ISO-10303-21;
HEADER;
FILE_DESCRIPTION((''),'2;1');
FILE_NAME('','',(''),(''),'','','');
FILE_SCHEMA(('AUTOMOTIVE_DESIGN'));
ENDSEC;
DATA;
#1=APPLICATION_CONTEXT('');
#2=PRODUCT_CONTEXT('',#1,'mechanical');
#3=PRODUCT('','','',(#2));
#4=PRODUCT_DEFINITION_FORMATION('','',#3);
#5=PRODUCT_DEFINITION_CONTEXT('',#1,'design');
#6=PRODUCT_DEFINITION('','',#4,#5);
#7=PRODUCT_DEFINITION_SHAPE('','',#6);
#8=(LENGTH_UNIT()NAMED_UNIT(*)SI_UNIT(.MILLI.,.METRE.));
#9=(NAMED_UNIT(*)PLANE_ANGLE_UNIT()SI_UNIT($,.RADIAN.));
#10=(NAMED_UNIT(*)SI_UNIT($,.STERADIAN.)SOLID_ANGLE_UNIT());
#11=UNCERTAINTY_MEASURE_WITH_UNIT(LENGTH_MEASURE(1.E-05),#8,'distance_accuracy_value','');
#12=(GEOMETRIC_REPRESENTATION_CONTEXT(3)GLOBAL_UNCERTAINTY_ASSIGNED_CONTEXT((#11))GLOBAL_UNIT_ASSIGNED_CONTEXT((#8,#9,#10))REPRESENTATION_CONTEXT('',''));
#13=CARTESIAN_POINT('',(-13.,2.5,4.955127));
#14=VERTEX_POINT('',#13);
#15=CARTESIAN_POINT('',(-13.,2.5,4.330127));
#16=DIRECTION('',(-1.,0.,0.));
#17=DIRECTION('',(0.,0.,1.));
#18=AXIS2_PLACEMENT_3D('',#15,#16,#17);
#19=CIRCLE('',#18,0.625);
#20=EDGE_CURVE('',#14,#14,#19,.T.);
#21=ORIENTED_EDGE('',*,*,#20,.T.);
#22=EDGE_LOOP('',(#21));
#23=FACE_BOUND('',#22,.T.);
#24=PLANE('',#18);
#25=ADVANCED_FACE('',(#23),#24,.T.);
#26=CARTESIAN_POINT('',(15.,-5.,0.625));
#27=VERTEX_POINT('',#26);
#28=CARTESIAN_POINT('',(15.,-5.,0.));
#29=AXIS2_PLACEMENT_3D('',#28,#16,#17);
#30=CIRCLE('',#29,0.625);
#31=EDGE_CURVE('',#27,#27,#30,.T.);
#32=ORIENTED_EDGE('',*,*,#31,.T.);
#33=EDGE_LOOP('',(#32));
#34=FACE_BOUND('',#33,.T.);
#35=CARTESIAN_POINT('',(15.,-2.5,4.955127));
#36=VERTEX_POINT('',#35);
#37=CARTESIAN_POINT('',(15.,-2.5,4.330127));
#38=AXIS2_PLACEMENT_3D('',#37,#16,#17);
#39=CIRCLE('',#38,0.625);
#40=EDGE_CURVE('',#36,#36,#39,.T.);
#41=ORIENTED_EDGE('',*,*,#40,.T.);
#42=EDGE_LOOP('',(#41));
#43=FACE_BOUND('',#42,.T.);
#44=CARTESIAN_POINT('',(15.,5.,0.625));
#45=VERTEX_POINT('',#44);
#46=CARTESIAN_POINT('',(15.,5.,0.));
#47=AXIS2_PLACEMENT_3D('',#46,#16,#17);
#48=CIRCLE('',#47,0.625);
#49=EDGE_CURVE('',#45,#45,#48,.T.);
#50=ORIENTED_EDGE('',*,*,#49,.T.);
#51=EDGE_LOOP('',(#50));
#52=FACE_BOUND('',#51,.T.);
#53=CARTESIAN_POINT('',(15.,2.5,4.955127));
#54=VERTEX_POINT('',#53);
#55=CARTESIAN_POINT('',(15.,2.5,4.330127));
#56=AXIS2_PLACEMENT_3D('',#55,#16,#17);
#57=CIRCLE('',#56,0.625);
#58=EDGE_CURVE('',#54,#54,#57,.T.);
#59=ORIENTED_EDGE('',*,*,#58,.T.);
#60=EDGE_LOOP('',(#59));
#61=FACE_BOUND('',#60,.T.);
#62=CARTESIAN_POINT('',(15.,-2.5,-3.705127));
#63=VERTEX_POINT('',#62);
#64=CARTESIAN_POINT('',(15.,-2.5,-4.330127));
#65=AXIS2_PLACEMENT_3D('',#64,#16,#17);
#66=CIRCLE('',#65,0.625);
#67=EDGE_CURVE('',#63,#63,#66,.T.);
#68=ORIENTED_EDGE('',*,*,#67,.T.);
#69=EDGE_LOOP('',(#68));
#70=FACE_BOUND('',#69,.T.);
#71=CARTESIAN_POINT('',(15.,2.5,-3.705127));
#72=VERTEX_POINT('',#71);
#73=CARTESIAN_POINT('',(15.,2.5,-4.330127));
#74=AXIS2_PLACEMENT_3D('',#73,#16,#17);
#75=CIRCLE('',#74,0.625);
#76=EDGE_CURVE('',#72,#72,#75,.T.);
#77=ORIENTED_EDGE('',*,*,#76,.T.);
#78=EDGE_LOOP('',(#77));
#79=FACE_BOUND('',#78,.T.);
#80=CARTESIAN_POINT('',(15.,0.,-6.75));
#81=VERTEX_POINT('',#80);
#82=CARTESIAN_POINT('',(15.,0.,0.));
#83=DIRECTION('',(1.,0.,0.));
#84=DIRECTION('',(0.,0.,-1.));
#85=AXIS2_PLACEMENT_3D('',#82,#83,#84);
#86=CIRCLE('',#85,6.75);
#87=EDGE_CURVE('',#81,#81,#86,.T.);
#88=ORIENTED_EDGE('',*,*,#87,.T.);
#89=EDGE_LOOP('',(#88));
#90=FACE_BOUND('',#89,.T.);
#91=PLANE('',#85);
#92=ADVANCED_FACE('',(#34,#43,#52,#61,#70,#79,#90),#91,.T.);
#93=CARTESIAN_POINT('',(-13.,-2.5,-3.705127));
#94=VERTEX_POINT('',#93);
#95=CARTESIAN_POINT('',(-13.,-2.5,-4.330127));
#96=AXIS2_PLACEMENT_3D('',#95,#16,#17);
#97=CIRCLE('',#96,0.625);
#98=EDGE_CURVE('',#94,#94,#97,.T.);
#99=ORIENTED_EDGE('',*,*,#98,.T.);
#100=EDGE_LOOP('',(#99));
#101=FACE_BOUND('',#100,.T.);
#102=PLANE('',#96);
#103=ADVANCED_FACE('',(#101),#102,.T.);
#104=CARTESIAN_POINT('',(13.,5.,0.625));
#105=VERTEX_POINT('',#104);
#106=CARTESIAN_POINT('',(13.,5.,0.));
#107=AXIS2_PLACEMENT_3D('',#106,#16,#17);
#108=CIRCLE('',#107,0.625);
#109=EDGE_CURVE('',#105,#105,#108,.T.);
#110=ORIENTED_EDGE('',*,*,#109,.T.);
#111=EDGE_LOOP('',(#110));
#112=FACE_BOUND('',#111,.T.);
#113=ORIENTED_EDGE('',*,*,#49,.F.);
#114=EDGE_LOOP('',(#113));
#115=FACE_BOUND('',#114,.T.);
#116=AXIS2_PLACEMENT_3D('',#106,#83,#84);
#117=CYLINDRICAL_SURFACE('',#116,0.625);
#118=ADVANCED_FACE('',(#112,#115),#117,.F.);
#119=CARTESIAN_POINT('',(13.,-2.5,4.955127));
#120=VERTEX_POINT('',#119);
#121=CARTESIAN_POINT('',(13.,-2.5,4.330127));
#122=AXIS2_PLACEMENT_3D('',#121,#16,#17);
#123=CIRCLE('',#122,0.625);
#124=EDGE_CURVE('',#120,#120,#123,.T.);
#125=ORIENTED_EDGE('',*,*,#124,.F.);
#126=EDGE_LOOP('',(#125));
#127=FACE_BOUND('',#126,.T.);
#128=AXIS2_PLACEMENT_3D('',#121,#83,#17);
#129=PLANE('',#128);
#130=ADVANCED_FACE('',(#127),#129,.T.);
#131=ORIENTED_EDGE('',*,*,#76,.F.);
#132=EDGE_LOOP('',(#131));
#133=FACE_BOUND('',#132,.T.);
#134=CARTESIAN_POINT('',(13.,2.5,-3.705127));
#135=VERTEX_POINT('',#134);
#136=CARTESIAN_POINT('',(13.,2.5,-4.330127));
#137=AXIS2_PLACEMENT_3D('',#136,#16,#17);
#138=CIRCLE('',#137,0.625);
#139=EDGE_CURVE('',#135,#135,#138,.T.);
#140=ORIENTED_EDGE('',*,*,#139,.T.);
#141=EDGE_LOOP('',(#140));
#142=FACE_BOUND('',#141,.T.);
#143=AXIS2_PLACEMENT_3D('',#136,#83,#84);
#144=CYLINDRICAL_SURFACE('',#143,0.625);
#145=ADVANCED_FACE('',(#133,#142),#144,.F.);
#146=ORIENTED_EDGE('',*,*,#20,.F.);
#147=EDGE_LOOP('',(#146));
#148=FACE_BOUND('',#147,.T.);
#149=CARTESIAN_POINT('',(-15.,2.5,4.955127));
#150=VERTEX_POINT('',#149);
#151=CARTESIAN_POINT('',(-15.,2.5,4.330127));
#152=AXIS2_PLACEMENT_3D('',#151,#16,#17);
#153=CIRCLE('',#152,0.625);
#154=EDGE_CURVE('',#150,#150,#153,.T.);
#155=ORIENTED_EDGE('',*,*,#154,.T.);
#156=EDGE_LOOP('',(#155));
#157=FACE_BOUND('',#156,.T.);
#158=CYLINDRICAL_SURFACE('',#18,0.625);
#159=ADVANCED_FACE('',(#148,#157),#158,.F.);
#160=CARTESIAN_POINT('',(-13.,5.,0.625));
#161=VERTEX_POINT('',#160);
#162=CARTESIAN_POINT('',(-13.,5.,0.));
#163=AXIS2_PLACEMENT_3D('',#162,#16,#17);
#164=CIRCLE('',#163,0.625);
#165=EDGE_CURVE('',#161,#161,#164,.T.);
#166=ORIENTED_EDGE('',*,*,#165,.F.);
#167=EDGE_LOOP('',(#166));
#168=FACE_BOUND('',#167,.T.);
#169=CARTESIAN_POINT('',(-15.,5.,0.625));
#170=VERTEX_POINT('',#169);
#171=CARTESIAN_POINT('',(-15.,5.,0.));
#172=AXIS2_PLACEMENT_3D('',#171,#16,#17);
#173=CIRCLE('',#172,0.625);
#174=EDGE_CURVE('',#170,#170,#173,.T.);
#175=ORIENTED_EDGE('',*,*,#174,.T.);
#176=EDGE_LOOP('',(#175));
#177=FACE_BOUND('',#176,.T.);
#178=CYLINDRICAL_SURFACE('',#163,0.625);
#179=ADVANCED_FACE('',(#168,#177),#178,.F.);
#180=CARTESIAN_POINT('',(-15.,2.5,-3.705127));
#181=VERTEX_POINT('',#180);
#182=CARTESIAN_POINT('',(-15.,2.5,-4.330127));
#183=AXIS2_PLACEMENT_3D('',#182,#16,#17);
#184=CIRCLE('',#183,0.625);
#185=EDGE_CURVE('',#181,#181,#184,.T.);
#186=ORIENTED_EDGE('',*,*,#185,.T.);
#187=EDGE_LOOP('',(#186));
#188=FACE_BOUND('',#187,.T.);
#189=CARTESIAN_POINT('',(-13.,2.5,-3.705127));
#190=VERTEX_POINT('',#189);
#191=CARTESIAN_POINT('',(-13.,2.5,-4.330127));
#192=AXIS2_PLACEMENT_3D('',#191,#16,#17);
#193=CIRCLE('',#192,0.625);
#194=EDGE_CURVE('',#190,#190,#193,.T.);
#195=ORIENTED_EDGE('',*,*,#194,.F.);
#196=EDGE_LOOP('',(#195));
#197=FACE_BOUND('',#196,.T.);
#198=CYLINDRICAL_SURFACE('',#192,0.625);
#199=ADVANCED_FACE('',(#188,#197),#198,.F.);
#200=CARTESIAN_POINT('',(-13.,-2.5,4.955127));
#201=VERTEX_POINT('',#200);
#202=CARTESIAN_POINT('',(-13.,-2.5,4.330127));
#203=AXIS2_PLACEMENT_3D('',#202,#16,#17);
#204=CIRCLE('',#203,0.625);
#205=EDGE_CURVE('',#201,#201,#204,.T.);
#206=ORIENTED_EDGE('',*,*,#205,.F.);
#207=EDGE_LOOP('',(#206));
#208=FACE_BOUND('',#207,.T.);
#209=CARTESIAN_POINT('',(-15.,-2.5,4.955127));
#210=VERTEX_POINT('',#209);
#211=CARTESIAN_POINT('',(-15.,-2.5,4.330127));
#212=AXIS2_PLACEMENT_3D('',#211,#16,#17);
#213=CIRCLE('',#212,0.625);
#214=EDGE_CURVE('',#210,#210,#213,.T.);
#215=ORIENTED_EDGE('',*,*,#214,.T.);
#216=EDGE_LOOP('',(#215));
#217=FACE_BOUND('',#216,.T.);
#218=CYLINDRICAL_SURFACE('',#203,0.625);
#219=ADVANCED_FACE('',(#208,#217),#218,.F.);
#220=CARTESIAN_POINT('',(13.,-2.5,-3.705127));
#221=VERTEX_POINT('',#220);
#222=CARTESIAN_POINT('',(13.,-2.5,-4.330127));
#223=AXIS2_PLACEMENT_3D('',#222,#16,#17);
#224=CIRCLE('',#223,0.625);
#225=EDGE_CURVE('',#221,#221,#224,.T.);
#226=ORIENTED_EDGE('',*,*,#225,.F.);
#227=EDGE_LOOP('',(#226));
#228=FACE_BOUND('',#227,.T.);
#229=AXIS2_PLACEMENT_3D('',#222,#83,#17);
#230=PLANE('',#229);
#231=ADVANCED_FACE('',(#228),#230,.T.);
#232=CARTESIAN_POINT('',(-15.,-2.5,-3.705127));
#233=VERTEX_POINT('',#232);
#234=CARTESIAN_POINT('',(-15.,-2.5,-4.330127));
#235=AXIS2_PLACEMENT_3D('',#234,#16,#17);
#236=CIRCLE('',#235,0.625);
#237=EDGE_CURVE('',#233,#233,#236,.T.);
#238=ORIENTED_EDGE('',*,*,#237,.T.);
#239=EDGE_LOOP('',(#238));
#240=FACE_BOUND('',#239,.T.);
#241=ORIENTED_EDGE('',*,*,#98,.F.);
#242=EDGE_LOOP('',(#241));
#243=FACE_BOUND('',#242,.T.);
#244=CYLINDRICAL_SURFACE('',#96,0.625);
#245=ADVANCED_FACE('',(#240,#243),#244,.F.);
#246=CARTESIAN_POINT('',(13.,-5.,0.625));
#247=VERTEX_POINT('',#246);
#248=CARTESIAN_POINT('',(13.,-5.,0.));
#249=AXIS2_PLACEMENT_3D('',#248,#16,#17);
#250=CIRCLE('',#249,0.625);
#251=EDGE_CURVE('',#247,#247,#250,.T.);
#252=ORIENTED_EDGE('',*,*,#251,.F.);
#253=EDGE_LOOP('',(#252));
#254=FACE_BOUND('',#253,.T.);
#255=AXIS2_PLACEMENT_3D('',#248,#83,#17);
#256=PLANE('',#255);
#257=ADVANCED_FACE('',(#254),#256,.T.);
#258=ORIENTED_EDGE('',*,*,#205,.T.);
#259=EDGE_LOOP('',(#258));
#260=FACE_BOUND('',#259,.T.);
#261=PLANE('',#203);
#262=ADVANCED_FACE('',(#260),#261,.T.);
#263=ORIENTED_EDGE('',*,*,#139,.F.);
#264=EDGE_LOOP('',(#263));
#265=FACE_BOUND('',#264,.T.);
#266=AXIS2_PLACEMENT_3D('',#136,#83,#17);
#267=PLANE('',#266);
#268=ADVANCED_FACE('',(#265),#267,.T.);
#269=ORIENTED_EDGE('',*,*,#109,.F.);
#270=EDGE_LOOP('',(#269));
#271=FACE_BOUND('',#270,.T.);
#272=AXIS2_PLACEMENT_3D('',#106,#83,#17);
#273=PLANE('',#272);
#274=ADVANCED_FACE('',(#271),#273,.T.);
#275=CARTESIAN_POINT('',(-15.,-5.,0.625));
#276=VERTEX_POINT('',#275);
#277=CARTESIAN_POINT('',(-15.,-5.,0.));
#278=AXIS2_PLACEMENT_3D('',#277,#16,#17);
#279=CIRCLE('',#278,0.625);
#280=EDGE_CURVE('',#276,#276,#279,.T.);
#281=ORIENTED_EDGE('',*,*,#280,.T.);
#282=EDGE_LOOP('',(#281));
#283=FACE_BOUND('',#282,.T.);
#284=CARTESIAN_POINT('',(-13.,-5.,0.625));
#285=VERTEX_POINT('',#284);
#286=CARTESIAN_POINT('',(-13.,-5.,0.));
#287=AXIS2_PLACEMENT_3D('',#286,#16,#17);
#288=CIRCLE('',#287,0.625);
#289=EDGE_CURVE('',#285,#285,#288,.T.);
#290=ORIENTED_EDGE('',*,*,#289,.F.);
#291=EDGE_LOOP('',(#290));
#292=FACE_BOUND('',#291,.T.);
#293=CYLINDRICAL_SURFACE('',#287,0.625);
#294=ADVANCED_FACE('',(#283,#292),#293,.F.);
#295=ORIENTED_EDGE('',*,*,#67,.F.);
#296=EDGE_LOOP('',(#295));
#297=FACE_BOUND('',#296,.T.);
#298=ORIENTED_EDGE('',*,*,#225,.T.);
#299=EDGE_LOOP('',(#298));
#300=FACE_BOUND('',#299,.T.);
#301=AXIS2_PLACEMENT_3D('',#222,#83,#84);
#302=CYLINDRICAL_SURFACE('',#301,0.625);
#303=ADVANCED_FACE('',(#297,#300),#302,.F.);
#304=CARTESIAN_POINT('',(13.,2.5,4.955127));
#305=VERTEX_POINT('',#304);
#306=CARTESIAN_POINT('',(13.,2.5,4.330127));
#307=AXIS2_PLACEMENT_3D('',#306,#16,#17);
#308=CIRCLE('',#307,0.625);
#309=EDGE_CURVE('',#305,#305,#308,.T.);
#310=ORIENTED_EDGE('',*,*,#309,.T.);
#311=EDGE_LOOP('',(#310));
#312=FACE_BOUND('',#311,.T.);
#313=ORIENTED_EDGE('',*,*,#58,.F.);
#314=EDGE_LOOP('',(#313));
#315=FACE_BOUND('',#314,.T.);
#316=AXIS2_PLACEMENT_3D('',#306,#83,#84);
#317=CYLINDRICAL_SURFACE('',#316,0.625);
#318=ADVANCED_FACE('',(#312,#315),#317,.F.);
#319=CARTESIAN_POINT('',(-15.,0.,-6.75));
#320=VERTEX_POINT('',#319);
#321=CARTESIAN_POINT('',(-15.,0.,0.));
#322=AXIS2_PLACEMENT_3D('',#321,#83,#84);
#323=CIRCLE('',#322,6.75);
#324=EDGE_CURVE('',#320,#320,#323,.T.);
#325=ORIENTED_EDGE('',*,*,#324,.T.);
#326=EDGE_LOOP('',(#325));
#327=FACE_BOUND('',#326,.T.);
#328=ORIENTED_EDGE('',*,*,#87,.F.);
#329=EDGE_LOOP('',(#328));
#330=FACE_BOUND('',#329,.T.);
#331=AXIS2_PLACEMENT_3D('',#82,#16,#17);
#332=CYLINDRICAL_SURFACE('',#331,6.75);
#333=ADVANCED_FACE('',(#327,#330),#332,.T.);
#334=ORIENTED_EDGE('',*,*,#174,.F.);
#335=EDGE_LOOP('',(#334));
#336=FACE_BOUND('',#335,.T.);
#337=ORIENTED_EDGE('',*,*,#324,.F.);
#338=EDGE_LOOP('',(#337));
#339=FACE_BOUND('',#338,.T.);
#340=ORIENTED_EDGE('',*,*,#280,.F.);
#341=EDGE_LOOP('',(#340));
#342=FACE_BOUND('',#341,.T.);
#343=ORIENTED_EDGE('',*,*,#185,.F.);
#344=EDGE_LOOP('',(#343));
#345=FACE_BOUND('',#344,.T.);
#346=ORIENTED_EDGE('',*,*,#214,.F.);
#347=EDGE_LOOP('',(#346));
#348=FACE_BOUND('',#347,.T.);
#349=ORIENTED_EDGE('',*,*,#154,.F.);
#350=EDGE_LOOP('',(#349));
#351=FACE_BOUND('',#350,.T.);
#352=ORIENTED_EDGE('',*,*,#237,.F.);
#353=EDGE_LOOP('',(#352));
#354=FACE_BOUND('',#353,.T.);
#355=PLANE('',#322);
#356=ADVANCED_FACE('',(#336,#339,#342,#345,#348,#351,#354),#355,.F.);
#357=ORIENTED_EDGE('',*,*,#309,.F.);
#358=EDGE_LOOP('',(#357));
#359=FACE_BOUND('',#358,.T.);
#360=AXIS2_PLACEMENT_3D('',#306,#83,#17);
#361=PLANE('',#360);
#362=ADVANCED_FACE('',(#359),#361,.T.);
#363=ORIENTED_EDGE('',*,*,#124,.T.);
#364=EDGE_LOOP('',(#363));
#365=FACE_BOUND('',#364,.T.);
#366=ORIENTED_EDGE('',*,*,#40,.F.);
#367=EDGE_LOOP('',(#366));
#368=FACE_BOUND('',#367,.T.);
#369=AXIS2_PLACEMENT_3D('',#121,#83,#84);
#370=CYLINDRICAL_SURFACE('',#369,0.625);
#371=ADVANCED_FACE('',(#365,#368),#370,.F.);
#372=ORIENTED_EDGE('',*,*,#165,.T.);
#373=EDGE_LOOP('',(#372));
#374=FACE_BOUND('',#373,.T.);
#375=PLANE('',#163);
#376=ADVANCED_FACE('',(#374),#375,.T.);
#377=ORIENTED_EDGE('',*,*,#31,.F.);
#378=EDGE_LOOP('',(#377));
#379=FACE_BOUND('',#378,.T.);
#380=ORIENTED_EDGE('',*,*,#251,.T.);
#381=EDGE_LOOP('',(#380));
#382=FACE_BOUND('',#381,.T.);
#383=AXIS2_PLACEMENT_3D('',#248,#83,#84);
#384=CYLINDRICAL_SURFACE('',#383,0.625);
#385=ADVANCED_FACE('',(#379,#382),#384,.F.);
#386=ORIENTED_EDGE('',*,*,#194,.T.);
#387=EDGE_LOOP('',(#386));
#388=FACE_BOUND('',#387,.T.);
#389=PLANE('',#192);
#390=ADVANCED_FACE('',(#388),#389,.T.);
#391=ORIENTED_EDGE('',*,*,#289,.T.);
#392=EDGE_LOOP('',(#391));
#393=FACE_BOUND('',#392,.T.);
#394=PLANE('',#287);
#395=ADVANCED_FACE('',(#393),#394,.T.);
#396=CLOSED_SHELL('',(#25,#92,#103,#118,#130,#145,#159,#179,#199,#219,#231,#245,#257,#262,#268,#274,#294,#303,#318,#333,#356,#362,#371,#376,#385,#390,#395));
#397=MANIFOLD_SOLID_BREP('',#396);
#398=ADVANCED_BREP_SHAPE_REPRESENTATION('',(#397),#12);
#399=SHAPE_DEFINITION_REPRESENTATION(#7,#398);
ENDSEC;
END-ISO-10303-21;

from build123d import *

# Parameters (mm, degrees)
SKETCH1_R           = 13.5
BOSS_EXTRUDE1_DEPTH = 30
SKETCH2_R           = 1.25
CUT_EXTRUDE1_DEPTH  = 4
SCALE1_SCALE        = 0.5


with BuildPart() as part:
    # Sketch1 → Boss-Extrude1 (new, symmetric)
    with BuildSketch(Plane(origin=(0, 0, 0), x_dir=(0, 0, -1), z_dir=(1, 0, 0))):
        Circle(SKETCH1_R)
    extrude(amount=BOSS_EXTRUDE1_DEPTH, both=True)

    # Sketch2 → Cut-Extrude1 (cut)
    with BuildSketch(Plane.ZY.offset(30)):
        with Locations((0, 10)):
            Circle(SKETCH2_R)
        with Locations((8.660254038, 5)):
            Circle(SKETCH2_R)
        with Locations((8.660254038, -5)):
            Circle(SKETCH2_R)
        with Locations((0, -10)):
            Circle(SKETCH2_R)
        with Locations((-8.660254038, -5)):
            Circle(SKETCH2_R)
        with Locations((-8.660254038, 5)):
            Circle(SKETCH2_R)
    cut_extrude1 = extrude(amount=-CUT_EXTRUDE1_DEPTH, mode=Mode.SUBTRACT)

    # Mirror1: Cut-Extrude1 across plane
    add(cut_extrude1.mirror(Plane(origin=(0, 0, 0), x_dir=(0, 0, 1), z_dir=(1, 0, 0))), mode=Mode.SUBTRACT)


with BuildPart() as part_1:
    # Scale1: scaled about (0, 0, 0)
    add(part.part.scale(SCALE1_SCALE))


solid = part_1.part
